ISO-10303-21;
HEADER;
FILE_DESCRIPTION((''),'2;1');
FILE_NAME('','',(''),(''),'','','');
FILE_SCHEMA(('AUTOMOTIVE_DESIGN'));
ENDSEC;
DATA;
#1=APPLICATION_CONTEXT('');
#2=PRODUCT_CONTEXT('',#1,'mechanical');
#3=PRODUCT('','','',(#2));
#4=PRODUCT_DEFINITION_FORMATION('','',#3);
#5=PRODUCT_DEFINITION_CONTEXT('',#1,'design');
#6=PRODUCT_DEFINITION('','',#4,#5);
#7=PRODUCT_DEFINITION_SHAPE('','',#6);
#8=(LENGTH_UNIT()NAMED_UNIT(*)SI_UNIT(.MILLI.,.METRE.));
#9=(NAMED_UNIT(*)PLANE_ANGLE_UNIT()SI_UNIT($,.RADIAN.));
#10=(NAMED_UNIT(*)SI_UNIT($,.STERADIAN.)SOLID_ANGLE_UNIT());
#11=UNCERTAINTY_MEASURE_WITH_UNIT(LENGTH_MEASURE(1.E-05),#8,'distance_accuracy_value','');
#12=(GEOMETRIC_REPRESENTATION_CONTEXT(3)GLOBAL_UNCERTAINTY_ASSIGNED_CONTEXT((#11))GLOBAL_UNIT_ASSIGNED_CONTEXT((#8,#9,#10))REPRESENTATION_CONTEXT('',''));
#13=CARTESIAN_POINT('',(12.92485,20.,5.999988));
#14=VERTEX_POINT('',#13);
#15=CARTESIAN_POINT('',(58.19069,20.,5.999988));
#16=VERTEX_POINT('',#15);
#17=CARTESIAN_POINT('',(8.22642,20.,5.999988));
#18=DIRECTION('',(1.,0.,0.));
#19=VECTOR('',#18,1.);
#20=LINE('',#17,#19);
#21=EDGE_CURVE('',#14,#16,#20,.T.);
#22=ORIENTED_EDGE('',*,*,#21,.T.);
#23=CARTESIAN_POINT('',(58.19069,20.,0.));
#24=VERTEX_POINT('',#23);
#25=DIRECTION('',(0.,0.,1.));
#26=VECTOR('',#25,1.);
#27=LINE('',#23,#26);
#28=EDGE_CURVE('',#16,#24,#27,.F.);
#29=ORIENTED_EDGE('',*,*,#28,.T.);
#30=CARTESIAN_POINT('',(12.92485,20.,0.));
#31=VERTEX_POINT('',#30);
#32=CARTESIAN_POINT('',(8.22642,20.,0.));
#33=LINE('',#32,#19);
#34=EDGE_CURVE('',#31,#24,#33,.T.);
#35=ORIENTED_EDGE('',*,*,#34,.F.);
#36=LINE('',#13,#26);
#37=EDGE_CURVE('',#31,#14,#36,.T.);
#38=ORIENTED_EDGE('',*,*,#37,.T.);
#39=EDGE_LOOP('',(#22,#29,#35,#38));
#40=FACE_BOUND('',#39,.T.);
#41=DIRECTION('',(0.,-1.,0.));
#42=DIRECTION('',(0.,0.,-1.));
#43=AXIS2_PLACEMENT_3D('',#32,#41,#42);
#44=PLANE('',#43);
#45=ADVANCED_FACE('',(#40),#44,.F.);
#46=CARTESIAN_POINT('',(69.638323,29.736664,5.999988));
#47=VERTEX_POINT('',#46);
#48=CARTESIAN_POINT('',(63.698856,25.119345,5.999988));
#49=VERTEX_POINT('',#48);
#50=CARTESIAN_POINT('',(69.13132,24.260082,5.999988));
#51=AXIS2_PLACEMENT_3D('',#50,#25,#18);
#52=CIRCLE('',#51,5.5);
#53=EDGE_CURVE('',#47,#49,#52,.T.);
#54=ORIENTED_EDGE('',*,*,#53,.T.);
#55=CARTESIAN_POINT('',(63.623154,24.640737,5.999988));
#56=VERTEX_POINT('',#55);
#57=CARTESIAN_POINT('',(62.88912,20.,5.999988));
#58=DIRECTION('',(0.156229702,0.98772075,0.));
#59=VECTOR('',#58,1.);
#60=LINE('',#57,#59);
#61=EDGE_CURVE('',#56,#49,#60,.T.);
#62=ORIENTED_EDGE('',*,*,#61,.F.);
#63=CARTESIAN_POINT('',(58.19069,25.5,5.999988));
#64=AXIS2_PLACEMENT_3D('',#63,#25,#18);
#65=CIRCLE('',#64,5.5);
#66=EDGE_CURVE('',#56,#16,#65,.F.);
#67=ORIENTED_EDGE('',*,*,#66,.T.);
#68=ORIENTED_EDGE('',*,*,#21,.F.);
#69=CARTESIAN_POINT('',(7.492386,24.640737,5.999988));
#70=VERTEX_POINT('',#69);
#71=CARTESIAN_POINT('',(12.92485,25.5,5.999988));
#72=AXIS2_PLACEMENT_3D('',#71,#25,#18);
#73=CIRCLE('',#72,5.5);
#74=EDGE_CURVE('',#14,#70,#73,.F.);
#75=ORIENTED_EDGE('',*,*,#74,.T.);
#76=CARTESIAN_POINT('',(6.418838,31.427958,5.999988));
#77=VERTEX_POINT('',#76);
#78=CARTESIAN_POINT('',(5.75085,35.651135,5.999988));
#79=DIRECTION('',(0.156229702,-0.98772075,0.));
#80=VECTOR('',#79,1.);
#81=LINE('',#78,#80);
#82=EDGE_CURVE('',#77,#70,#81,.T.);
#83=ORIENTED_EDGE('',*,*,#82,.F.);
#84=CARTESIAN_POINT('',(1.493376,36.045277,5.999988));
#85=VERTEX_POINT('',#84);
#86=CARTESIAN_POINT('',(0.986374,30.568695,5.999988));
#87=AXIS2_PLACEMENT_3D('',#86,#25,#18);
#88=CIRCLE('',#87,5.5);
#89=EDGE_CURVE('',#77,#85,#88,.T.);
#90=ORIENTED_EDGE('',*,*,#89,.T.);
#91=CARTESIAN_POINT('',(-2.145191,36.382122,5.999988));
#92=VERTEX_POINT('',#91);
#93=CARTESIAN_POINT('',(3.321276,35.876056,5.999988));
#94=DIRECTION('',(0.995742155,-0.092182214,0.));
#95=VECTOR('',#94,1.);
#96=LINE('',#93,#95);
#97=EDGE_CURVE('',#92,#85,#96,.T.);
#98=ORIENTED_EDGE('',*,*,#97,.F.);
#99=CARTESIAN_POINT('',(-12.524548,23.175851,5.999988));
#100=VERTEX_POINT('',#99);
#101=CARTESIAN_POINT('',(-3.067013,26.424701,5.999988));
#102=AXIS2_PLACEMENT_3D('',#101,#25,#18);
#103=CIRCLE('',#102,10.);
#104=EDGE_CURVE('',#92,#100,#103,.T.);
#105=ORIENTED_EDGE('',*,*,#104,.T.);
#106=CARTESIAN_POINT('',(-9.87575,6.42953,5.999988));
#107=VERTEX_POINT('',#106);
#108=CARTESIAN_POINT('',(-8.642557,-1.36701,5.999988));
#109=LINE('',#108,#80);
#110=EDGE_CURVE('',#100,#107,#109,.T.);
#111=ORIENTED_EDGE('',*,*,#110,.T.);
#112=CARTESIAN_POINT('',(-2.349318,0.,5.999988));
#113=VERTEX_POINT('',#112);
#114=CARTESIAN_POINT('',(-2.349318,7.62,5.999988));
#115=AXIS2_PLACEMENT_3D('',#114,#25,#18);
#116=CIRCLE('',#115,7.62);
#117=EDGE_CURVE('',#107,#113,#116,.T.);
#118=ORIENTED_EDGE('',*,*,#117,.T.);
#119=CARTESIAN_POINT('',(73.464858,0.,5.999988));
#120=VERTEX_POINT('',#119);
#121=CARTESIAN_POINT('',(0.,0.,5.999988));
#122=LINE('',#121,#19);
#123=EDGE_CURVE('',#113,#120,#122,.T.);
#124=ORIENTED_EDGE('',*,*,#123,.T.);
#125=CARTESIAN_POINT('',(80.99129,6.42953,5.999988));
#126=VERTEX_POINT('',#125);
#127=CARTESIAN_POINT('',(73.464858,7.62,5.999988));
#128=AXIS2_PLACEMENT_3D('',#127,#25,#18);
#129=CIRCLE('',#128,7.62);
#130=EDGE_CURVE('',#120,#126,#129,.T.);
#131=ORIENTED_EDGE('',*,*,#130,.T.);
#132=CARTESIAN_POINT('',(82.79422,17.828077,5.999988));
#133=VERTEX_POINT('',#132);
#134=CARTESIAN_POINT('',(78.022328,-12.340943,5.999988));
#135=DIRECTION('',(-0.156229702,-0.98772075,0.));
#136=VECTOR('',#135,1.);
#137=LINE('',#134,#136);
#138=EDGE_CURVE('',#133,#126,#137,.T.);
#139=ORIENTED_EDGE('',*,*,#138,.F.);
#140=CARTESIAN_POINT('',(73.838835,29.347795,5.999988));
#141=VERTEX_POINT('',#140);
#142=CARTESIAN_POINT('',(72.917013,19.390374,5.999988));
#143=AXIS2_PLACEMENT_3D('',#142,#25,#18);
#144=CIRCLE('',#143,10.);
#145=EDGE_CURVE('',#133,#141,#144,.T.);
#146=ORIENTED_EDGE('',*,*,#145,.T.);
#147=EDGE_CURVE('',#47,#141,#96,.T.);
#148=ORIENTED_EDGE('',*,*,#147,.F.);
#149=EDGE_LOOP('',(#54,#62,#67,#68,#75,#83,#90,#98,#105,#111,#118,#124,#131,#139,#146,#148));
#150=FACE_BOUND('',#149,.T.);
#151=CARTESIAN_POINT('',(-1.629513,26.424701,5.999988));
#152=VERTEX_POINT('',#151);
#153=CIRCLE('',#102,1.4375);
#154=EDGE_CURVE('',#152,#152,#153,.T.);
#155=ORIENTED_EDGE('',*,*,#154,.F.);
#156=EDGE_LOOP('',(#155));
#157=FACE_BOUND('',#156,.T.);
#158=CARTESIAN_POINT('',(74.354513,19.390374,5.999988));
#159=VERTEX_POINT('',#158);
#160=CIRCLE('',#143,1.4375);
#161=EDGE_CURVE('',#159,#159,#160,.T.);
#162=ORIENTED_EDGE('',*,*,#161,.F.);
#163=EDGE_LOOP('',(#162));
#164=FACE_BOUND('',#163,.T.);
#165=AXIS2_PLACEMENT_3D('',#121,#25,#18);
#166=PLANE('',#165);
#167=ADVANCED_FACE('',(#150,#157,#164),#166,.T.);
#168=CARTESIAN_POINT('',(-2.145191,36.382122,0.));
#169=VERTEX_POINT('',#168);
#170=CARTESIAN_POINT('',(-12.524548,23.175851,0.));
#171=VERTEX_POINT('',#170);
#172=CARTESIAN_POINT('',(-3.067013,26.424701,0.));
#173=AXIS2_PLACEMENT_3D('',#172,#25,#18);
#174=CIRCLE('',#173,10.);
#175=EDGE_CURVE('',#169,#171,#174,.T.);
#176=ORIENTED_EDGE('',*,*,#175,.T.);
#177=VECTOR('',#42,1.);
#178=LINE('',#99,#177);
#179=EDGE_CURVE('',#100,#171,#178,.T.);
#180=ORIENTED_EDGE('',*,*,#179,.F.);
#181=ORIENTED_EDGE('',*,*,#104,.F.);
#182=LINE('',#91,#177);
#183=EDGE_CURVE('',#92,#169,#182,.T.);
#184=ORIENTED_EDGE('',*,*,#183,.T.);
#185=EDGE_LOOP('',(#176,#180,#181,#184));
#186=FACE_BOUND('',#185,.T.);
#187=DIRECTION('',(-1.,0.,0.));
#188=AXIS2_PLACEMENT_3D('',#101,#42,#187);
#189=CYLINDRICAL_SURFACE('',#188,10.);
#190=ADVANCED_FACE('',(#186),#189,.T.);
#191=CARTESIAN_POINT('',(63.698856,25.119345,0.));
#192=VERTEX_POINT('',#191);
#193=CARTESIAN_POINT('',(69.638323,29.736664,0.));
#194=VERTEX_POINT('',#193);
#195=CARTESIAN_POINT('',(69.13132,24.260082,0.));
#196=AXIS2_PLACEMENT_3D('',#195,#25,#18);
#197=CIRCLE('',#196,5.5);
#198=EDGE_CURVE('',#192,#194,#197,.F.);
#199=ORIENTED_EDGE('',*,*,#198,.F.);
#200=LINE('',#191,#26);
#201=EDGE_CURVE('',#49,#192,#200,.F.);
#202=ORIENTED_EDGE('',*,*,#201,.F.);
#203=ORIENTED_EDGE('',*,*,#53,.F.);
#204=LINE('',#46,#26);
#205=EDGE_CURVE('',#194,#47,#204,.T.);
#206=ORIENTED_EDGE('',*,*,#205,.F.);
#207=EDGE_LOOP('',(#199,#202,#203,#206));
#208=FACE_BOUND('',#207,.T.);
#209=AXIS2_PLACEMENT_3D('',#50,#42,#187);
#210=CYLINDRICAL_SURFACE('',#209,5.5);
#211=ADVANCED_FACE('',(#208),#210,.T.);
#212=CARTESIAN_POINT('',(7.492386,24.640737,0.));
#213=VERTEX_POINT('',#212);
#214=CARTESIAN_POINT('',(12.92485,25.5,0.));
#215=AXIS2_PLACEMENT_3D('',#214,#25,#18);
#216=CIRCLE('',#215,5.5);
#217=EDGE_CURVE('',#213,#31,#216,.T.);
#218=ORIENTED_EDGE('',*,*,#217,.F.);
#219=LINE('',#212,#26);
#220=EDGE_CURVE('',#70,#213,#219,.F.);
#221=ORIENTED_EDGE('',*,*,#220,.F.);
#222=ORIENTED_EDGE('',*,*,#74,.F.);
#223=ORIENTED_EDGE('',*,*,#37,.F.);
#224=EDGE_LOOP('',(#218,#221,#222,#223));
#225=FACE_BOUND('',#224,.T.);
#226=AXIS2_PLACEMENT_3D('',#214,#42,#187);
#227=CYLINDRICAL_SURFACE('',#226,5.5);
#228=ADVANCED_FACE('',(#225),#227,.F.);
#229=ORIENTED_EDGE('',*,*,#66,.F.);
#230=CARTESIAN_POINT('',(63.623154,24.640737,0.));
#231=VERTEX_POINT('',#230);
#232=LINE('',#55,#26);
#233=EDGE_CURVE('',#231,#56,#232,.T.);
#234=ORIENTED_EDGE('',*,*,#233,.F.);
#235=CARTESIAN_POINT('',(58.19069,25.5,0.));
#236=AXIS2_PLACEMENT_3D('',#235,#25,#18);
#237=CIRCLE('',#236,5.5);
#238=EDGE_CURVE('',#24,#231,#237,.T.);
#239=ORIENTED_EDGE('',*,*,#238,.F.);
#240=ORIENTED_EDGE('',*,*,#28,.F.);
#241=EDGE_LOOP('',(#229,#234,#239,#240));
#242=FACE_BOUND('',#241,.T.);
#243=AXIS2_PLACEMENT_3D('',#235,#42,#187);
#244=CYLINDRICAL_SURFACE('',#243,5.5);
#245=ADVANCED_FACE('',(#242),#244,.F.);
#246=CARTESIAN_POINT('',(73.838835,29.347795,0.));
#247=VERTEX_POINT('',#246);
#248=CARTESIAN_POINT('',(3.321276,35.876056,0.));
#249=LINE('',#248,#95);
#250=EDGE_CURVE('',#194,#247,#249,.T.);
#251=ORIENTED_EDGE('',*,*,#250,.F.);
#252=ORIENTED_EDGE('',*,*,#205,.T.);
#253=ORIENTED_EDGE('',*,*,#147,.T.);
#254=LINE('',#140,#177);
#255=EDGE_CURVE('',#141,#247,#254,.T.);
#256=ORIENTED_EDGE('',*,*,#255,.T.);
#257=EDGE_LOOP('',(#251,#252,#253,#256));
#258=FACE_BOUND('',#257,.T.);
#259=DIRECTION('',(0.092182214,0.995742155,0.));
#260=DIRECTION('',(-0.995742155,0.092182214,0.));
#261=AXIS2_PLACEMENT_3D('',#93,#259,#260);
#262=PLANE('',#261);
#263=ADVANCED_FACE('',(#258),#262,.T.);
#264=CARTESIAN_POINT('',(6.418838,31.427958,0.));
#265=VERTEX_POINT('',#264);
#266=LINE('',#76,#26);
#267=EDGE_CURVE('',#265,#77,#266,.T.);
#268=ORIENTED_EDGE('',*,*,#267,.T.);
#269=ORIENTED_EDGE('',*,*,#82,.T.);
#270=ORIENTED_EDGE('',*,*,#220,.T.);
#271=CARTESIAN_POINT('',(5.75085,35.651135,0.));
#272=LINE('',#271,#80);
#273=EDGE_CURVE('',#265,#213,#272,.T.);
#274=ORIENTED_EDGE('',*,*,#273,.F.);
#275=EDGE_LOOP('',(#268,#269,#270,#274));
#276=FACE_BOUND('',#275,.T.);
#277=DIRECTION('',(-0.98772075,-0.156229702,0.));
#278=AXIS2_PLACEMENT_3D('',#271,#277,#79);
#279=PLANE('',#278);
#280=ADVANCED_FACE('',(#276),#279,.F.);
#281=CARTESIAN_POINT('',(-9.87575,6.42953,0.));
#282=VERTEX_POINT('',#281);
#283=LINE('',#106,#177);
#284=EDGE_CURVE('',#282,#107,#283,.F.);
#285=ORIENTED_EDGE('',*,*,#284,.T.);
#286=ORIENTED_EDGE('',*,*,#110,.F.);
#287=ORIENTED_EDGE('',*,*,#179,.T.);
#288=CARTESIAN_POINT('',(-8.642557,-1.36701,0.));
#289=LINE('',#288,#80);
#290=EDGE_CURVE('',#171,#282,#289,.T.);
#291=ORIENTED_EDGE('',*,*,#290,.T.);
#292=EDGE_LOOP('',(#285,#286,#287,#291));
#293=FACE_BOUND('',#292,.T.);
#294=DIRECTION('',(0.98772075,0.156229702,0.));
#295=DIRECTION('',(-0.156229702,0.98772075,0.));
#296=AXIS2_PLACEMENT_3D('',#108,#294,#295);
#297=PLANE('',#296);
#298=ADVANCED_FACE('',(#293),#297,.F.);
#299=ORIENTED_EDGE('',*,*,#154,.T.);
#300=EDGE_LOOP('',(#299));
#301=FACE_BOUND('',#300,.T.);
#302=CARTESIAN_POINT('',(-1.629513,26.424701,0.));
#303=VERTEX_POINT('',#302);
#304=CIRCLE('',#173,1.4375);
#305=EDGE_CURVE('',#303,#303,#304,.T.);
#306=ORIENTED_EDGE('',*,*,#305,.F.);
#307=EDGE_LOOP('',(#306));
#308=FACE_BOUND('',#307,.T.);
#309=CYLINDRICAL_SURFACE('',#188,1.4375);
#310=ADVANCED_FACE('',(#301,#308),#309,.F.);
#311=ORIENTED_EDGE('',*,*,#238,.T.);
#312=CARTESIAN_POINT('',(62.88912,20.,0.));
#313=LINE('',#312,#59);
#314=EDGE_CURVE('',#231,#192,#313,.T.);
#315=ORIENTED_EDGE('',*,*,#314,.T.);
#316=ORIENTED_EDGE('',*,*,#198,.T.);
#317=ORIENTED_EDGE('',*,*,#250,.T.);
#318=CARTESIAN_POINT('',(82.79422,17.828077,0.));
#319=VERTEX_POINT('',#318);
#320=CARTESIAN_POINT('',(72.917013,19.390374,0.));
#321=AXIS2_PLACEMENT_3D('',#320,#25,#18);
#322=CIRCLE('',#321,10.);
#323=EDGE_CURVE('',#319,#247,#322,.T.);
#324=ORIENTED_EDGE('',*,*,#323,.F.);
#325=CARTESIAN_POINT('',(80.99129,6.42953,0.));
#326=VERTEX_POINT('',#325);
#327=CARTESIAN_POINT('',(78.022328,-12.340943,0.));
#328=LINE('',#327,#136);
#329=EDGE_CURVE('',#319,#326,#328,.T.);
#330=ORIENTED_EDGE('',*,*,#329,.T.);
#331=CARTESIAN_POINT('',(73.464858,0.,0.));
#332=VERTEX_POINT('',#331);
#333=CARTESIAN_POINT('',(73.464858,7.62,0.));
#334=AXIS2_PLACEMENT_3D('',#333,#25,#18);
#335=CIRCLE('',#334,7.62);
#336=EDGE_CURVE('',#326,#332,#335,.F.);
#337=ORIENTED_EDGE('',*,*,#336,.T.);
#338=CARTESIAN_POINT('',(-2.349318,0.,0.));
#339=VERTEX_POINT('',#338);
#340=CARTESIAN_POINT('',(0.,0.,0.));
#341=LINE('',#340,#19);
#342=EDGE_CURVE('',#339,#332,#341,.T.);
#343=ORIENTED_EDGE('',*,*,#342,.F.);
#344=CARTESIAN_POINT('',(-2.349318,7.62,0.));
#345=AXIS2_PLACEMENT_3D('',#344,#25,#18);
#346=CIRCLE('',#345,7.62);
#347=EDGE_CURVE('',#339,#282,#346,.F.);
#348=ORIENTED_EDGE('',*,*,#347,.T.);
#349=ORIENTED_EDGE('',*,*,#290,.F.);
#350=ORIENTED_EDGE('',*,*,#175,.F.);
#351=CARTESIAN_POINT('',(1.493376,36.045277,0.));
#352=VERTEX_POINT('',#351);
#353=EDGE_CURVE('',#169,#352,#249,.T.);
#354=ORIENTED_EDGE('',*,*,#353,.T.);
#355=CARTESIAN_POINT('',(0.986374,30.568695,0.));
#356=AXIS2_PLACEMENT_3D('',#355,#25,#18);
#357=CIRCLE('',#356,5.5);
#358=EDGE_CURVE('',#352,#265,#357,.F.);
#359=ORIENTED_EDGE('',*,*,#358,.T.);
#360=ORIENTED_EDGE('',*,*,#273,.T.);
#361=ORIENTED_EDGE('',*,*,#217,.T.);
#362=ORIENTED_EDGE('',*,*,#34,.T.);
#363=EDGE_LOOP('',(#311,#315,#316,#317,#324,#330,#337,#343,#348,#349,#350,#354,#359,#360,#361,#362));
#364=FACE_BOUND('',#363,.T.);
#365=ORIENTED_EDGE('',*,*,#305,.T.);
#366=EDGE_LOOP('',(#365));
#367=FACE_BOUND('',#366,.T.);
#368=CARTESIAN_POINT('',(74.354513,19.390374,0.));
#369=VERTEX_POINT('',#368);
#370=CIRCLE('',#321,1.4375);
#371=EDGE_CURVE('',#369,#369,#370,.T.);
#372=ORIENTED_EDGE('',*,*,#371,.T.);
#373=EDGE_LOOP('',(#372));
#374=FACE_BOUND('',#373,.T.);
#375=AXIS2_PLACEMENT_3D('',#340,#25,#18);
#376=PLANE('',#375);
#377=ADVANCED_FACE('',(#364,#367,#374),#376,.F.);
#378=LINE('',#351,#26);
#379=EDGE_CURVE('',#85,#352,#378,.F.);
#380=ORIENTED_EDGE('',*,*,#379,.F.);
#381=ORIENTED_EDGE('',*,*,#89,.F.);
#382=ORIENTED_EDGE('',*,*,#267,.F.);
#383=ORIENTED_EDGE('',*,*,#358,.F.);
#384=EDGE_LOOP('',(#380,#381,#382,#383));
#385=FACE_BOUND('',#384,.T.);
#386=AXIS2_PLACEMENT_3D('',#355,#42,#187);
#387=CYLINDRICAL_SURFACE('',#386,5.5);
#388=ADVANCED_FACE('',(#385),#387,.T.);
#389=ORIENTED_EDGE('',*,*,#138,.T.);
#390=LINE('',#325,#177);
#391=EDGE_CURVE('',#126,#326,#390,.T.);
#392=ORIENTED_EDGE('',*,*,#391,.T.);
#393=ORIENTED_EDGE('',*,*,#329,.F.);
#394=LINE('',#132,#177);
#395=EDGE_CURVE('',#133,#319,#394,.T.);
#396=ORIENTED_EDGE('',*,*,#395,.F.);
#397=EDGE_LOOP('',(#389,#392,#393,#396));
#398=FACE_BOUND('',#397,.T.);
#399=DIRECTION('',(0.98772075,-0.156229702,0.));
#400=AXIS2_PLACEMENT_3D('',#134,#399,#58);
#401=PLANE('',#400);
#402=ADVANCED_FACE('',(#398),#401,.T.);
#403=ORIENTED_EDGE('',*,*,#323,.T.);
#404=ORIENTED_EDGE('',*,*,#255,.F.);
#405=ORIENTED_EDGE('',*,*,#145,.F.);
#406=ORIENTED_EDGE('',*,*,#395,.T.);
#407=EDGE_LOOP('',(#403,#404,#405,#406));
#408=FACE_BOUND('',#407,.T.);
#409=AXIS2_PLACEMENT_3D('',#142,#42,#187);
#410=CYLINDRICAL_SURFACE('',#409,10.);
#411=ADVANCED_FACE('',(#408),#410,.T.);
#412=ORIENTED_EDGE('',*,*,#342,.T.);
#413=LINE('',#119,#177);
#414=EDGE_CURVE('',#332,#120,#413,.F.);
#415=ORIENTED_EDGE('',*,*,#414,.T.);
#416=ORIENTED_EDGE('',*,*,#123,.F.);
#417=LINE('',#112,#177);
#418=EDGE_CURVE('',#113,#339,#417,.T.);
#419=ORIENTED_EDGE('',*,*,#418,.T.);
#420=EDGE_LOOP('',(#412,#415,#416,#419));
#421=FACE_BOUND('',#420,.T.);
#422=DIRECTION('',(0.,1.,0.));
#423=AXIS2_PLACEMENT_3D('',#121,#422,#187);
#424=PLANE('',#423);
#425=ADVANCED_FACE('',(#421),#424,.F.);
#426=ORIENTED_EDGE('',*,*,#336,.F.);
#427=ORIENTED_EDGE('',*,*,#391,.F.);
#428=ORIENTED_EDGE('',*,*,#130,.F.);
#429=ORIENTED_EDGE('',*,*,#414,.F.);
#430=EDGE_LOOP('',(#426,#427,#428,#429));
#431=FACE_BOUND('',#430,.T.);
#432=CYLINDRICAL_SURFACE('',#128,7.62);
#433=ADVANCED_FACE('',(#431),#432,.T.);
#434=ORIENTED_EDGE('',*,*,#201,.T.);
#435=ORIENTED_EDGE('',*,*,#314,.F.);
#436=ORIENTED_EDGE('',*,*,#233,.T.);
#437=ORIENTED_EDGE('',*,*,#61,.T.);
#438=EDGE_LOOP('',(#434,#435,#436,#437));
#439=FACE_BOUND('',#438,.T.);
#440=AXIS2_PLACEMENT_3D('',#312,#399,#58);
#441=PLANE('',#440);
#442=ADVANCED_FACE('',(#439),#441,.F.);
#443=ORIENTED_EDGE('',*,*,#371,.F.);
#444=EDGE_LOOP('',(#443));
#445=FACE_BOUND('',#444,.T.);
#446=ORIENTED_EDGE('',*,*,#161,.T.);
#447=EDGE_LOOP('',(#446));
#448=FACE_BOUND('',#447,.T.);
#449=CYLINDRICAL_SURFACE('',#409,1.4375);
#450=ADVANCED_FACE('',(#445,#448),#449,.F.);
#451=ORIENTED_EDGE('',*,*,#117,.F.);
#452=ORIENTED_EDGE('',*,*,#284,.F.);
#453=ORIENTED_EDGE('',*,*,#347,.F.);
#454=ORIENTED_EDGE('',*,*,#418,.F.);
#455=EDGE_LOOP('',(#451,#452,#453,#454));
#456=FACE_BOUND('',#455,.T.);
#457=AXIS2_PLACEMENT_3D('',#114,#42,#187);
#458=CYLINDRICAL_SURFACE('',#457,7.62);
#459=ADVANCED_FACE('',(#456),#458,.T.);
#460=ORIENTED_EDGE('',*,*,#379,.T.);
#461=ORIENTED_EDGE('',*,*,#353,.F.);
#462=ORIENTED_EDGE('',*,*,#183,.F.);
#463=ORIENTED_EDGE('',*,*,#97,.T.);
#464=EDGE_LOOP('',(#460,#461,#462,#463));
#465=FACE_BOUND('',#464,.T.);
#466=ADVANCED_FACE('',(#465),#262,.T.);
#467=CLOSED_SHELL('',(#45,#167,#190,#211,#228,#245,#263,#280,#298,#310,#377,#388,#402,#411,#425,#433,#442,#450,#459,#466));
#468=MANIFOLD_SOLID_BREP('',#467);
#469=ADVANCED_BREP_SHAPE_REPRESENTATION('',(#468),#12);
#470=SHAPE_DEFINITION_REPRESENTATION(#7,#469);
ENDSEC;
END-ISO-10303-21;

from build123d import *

# Parameters (mm, degrees)
SKETCH1_R           = 1.4375
BOSS_EXTRUDE1_DEPTH = 5.999988
FILLET3_R           = 7.62
CUT_EXTRUDE2_DEPTH  = 91.763371988
FILLET5_R           = 5.5


with BuildPart() as part:
    # Sketch1 → Boss-Extrude1 (new body)
    # profile 1 of 2: a face of its own
    with BuildSketch(Plane.XY):
        with BuildLine():
            Line((-12.524548321, 23.175850862), (-8.858779162, 0))
            Line((-8.858779162, 0), (79.974319043, 0))
            Line((79.974319043, 0), (82.794220418, 17.828076701))
            ThreePointArc((82.794220418, 17.828076701), (80.81199482, 25.527902595), (73.838835056, 29.347795267))
            Line((73.838835056, 29.347795267), (-2.145190776, 36.382122067))
            ThreePointArc((-2.145190776, 36.382122067), (4.322784828, 33.16197662), (6.932987084, 26.424700516))
            ThreePointArc((6.932987084, 26.424700516), (6.181465859, 22.621328283), (4.039859015, 19.389619041))
            ThreePointArc((4.039859015, 19.389619041), (3.875471285, 19.227345924), (3.707379331, 19.06891302))
            ThreePointArc((3.707379331, 19.06891302), (-5.519878365, 16.730194284), (-12.524548321, 23.175850862))
        make_face()
        with Locations((72.917012916, 19.390373716)):
            Circle(SKETCH1_R, mode=Mode.SUBTRACT)
    # profile 2 of 2: a face of its own
    with BuildSketch(Plane.XY):
        with BuildLine():
            ThreePointArc((-2.145190776, 36.382122067), (-10.929328098, 32.604020866), (-12.524548321, 23.175850862))
            ThreePointArc((-12.524548321, 23.175850862), (-5.519878365, 16.730194284), (3.707379331, 19.06891302))
            ThreePointArc((3.707379331, 19.06891302), (3.875471285, 19.227345924), (4.039859015, 19.389619041))
            ThreePointArc((4.039859015, 19.389619041), (6.181465859, 22.621328283), (6.932987084, 26.424700516))
            ThreePointArc((6.932987084, 26.424700516), (4.322784828, 33.16197662), (-2.145190776, 36.382122067))
        make_face()
        with Locations((-3.067012916, 26.424700516)):
            Circle(SKETCH1_R, mode=Mode.SUBTRACT)
    extrude(amount=BOSS_EXTRUDE1_DEPTH)

    # Fillet3
    fillet3_edges = [part.edges().sort_by_distance(p)[0] for p in [
        (79.974319043, 0, 2.999994),
        (-8.858779162, 0, 2.999994),
    ]]
    fillet(fillet3_edges, radius=FILLET3_R)

    # Sketch3 → Cut-Extrude2 (cut, through all)
    with BuildSketch(Plane.XY.offset(5.999988)):
        Polygon((5.750849923, 35.651135125), (8.226420239, 20), (62.889119642, 20), (64.504363049, 30.211946987), align=None)
    extrude(amount=-CUT_EXTRUDE2_DEPTH, mode=Mode.SUBTRACT)

    # Fillet5
    fillet5_edges = [part.edges().sort_by_distance(p)[0] for p in [
        (5.750849923, 35.651135125, 2.999994),
        (64.504363049, 30.211946987, 2.999994),
        (62.889119642, 20, 2.999994),
        (8.226420239, 20, 2.999994),
    ]]
    fillet(fillet5_edges, radius=FILLET5_R)


solid = part.part
